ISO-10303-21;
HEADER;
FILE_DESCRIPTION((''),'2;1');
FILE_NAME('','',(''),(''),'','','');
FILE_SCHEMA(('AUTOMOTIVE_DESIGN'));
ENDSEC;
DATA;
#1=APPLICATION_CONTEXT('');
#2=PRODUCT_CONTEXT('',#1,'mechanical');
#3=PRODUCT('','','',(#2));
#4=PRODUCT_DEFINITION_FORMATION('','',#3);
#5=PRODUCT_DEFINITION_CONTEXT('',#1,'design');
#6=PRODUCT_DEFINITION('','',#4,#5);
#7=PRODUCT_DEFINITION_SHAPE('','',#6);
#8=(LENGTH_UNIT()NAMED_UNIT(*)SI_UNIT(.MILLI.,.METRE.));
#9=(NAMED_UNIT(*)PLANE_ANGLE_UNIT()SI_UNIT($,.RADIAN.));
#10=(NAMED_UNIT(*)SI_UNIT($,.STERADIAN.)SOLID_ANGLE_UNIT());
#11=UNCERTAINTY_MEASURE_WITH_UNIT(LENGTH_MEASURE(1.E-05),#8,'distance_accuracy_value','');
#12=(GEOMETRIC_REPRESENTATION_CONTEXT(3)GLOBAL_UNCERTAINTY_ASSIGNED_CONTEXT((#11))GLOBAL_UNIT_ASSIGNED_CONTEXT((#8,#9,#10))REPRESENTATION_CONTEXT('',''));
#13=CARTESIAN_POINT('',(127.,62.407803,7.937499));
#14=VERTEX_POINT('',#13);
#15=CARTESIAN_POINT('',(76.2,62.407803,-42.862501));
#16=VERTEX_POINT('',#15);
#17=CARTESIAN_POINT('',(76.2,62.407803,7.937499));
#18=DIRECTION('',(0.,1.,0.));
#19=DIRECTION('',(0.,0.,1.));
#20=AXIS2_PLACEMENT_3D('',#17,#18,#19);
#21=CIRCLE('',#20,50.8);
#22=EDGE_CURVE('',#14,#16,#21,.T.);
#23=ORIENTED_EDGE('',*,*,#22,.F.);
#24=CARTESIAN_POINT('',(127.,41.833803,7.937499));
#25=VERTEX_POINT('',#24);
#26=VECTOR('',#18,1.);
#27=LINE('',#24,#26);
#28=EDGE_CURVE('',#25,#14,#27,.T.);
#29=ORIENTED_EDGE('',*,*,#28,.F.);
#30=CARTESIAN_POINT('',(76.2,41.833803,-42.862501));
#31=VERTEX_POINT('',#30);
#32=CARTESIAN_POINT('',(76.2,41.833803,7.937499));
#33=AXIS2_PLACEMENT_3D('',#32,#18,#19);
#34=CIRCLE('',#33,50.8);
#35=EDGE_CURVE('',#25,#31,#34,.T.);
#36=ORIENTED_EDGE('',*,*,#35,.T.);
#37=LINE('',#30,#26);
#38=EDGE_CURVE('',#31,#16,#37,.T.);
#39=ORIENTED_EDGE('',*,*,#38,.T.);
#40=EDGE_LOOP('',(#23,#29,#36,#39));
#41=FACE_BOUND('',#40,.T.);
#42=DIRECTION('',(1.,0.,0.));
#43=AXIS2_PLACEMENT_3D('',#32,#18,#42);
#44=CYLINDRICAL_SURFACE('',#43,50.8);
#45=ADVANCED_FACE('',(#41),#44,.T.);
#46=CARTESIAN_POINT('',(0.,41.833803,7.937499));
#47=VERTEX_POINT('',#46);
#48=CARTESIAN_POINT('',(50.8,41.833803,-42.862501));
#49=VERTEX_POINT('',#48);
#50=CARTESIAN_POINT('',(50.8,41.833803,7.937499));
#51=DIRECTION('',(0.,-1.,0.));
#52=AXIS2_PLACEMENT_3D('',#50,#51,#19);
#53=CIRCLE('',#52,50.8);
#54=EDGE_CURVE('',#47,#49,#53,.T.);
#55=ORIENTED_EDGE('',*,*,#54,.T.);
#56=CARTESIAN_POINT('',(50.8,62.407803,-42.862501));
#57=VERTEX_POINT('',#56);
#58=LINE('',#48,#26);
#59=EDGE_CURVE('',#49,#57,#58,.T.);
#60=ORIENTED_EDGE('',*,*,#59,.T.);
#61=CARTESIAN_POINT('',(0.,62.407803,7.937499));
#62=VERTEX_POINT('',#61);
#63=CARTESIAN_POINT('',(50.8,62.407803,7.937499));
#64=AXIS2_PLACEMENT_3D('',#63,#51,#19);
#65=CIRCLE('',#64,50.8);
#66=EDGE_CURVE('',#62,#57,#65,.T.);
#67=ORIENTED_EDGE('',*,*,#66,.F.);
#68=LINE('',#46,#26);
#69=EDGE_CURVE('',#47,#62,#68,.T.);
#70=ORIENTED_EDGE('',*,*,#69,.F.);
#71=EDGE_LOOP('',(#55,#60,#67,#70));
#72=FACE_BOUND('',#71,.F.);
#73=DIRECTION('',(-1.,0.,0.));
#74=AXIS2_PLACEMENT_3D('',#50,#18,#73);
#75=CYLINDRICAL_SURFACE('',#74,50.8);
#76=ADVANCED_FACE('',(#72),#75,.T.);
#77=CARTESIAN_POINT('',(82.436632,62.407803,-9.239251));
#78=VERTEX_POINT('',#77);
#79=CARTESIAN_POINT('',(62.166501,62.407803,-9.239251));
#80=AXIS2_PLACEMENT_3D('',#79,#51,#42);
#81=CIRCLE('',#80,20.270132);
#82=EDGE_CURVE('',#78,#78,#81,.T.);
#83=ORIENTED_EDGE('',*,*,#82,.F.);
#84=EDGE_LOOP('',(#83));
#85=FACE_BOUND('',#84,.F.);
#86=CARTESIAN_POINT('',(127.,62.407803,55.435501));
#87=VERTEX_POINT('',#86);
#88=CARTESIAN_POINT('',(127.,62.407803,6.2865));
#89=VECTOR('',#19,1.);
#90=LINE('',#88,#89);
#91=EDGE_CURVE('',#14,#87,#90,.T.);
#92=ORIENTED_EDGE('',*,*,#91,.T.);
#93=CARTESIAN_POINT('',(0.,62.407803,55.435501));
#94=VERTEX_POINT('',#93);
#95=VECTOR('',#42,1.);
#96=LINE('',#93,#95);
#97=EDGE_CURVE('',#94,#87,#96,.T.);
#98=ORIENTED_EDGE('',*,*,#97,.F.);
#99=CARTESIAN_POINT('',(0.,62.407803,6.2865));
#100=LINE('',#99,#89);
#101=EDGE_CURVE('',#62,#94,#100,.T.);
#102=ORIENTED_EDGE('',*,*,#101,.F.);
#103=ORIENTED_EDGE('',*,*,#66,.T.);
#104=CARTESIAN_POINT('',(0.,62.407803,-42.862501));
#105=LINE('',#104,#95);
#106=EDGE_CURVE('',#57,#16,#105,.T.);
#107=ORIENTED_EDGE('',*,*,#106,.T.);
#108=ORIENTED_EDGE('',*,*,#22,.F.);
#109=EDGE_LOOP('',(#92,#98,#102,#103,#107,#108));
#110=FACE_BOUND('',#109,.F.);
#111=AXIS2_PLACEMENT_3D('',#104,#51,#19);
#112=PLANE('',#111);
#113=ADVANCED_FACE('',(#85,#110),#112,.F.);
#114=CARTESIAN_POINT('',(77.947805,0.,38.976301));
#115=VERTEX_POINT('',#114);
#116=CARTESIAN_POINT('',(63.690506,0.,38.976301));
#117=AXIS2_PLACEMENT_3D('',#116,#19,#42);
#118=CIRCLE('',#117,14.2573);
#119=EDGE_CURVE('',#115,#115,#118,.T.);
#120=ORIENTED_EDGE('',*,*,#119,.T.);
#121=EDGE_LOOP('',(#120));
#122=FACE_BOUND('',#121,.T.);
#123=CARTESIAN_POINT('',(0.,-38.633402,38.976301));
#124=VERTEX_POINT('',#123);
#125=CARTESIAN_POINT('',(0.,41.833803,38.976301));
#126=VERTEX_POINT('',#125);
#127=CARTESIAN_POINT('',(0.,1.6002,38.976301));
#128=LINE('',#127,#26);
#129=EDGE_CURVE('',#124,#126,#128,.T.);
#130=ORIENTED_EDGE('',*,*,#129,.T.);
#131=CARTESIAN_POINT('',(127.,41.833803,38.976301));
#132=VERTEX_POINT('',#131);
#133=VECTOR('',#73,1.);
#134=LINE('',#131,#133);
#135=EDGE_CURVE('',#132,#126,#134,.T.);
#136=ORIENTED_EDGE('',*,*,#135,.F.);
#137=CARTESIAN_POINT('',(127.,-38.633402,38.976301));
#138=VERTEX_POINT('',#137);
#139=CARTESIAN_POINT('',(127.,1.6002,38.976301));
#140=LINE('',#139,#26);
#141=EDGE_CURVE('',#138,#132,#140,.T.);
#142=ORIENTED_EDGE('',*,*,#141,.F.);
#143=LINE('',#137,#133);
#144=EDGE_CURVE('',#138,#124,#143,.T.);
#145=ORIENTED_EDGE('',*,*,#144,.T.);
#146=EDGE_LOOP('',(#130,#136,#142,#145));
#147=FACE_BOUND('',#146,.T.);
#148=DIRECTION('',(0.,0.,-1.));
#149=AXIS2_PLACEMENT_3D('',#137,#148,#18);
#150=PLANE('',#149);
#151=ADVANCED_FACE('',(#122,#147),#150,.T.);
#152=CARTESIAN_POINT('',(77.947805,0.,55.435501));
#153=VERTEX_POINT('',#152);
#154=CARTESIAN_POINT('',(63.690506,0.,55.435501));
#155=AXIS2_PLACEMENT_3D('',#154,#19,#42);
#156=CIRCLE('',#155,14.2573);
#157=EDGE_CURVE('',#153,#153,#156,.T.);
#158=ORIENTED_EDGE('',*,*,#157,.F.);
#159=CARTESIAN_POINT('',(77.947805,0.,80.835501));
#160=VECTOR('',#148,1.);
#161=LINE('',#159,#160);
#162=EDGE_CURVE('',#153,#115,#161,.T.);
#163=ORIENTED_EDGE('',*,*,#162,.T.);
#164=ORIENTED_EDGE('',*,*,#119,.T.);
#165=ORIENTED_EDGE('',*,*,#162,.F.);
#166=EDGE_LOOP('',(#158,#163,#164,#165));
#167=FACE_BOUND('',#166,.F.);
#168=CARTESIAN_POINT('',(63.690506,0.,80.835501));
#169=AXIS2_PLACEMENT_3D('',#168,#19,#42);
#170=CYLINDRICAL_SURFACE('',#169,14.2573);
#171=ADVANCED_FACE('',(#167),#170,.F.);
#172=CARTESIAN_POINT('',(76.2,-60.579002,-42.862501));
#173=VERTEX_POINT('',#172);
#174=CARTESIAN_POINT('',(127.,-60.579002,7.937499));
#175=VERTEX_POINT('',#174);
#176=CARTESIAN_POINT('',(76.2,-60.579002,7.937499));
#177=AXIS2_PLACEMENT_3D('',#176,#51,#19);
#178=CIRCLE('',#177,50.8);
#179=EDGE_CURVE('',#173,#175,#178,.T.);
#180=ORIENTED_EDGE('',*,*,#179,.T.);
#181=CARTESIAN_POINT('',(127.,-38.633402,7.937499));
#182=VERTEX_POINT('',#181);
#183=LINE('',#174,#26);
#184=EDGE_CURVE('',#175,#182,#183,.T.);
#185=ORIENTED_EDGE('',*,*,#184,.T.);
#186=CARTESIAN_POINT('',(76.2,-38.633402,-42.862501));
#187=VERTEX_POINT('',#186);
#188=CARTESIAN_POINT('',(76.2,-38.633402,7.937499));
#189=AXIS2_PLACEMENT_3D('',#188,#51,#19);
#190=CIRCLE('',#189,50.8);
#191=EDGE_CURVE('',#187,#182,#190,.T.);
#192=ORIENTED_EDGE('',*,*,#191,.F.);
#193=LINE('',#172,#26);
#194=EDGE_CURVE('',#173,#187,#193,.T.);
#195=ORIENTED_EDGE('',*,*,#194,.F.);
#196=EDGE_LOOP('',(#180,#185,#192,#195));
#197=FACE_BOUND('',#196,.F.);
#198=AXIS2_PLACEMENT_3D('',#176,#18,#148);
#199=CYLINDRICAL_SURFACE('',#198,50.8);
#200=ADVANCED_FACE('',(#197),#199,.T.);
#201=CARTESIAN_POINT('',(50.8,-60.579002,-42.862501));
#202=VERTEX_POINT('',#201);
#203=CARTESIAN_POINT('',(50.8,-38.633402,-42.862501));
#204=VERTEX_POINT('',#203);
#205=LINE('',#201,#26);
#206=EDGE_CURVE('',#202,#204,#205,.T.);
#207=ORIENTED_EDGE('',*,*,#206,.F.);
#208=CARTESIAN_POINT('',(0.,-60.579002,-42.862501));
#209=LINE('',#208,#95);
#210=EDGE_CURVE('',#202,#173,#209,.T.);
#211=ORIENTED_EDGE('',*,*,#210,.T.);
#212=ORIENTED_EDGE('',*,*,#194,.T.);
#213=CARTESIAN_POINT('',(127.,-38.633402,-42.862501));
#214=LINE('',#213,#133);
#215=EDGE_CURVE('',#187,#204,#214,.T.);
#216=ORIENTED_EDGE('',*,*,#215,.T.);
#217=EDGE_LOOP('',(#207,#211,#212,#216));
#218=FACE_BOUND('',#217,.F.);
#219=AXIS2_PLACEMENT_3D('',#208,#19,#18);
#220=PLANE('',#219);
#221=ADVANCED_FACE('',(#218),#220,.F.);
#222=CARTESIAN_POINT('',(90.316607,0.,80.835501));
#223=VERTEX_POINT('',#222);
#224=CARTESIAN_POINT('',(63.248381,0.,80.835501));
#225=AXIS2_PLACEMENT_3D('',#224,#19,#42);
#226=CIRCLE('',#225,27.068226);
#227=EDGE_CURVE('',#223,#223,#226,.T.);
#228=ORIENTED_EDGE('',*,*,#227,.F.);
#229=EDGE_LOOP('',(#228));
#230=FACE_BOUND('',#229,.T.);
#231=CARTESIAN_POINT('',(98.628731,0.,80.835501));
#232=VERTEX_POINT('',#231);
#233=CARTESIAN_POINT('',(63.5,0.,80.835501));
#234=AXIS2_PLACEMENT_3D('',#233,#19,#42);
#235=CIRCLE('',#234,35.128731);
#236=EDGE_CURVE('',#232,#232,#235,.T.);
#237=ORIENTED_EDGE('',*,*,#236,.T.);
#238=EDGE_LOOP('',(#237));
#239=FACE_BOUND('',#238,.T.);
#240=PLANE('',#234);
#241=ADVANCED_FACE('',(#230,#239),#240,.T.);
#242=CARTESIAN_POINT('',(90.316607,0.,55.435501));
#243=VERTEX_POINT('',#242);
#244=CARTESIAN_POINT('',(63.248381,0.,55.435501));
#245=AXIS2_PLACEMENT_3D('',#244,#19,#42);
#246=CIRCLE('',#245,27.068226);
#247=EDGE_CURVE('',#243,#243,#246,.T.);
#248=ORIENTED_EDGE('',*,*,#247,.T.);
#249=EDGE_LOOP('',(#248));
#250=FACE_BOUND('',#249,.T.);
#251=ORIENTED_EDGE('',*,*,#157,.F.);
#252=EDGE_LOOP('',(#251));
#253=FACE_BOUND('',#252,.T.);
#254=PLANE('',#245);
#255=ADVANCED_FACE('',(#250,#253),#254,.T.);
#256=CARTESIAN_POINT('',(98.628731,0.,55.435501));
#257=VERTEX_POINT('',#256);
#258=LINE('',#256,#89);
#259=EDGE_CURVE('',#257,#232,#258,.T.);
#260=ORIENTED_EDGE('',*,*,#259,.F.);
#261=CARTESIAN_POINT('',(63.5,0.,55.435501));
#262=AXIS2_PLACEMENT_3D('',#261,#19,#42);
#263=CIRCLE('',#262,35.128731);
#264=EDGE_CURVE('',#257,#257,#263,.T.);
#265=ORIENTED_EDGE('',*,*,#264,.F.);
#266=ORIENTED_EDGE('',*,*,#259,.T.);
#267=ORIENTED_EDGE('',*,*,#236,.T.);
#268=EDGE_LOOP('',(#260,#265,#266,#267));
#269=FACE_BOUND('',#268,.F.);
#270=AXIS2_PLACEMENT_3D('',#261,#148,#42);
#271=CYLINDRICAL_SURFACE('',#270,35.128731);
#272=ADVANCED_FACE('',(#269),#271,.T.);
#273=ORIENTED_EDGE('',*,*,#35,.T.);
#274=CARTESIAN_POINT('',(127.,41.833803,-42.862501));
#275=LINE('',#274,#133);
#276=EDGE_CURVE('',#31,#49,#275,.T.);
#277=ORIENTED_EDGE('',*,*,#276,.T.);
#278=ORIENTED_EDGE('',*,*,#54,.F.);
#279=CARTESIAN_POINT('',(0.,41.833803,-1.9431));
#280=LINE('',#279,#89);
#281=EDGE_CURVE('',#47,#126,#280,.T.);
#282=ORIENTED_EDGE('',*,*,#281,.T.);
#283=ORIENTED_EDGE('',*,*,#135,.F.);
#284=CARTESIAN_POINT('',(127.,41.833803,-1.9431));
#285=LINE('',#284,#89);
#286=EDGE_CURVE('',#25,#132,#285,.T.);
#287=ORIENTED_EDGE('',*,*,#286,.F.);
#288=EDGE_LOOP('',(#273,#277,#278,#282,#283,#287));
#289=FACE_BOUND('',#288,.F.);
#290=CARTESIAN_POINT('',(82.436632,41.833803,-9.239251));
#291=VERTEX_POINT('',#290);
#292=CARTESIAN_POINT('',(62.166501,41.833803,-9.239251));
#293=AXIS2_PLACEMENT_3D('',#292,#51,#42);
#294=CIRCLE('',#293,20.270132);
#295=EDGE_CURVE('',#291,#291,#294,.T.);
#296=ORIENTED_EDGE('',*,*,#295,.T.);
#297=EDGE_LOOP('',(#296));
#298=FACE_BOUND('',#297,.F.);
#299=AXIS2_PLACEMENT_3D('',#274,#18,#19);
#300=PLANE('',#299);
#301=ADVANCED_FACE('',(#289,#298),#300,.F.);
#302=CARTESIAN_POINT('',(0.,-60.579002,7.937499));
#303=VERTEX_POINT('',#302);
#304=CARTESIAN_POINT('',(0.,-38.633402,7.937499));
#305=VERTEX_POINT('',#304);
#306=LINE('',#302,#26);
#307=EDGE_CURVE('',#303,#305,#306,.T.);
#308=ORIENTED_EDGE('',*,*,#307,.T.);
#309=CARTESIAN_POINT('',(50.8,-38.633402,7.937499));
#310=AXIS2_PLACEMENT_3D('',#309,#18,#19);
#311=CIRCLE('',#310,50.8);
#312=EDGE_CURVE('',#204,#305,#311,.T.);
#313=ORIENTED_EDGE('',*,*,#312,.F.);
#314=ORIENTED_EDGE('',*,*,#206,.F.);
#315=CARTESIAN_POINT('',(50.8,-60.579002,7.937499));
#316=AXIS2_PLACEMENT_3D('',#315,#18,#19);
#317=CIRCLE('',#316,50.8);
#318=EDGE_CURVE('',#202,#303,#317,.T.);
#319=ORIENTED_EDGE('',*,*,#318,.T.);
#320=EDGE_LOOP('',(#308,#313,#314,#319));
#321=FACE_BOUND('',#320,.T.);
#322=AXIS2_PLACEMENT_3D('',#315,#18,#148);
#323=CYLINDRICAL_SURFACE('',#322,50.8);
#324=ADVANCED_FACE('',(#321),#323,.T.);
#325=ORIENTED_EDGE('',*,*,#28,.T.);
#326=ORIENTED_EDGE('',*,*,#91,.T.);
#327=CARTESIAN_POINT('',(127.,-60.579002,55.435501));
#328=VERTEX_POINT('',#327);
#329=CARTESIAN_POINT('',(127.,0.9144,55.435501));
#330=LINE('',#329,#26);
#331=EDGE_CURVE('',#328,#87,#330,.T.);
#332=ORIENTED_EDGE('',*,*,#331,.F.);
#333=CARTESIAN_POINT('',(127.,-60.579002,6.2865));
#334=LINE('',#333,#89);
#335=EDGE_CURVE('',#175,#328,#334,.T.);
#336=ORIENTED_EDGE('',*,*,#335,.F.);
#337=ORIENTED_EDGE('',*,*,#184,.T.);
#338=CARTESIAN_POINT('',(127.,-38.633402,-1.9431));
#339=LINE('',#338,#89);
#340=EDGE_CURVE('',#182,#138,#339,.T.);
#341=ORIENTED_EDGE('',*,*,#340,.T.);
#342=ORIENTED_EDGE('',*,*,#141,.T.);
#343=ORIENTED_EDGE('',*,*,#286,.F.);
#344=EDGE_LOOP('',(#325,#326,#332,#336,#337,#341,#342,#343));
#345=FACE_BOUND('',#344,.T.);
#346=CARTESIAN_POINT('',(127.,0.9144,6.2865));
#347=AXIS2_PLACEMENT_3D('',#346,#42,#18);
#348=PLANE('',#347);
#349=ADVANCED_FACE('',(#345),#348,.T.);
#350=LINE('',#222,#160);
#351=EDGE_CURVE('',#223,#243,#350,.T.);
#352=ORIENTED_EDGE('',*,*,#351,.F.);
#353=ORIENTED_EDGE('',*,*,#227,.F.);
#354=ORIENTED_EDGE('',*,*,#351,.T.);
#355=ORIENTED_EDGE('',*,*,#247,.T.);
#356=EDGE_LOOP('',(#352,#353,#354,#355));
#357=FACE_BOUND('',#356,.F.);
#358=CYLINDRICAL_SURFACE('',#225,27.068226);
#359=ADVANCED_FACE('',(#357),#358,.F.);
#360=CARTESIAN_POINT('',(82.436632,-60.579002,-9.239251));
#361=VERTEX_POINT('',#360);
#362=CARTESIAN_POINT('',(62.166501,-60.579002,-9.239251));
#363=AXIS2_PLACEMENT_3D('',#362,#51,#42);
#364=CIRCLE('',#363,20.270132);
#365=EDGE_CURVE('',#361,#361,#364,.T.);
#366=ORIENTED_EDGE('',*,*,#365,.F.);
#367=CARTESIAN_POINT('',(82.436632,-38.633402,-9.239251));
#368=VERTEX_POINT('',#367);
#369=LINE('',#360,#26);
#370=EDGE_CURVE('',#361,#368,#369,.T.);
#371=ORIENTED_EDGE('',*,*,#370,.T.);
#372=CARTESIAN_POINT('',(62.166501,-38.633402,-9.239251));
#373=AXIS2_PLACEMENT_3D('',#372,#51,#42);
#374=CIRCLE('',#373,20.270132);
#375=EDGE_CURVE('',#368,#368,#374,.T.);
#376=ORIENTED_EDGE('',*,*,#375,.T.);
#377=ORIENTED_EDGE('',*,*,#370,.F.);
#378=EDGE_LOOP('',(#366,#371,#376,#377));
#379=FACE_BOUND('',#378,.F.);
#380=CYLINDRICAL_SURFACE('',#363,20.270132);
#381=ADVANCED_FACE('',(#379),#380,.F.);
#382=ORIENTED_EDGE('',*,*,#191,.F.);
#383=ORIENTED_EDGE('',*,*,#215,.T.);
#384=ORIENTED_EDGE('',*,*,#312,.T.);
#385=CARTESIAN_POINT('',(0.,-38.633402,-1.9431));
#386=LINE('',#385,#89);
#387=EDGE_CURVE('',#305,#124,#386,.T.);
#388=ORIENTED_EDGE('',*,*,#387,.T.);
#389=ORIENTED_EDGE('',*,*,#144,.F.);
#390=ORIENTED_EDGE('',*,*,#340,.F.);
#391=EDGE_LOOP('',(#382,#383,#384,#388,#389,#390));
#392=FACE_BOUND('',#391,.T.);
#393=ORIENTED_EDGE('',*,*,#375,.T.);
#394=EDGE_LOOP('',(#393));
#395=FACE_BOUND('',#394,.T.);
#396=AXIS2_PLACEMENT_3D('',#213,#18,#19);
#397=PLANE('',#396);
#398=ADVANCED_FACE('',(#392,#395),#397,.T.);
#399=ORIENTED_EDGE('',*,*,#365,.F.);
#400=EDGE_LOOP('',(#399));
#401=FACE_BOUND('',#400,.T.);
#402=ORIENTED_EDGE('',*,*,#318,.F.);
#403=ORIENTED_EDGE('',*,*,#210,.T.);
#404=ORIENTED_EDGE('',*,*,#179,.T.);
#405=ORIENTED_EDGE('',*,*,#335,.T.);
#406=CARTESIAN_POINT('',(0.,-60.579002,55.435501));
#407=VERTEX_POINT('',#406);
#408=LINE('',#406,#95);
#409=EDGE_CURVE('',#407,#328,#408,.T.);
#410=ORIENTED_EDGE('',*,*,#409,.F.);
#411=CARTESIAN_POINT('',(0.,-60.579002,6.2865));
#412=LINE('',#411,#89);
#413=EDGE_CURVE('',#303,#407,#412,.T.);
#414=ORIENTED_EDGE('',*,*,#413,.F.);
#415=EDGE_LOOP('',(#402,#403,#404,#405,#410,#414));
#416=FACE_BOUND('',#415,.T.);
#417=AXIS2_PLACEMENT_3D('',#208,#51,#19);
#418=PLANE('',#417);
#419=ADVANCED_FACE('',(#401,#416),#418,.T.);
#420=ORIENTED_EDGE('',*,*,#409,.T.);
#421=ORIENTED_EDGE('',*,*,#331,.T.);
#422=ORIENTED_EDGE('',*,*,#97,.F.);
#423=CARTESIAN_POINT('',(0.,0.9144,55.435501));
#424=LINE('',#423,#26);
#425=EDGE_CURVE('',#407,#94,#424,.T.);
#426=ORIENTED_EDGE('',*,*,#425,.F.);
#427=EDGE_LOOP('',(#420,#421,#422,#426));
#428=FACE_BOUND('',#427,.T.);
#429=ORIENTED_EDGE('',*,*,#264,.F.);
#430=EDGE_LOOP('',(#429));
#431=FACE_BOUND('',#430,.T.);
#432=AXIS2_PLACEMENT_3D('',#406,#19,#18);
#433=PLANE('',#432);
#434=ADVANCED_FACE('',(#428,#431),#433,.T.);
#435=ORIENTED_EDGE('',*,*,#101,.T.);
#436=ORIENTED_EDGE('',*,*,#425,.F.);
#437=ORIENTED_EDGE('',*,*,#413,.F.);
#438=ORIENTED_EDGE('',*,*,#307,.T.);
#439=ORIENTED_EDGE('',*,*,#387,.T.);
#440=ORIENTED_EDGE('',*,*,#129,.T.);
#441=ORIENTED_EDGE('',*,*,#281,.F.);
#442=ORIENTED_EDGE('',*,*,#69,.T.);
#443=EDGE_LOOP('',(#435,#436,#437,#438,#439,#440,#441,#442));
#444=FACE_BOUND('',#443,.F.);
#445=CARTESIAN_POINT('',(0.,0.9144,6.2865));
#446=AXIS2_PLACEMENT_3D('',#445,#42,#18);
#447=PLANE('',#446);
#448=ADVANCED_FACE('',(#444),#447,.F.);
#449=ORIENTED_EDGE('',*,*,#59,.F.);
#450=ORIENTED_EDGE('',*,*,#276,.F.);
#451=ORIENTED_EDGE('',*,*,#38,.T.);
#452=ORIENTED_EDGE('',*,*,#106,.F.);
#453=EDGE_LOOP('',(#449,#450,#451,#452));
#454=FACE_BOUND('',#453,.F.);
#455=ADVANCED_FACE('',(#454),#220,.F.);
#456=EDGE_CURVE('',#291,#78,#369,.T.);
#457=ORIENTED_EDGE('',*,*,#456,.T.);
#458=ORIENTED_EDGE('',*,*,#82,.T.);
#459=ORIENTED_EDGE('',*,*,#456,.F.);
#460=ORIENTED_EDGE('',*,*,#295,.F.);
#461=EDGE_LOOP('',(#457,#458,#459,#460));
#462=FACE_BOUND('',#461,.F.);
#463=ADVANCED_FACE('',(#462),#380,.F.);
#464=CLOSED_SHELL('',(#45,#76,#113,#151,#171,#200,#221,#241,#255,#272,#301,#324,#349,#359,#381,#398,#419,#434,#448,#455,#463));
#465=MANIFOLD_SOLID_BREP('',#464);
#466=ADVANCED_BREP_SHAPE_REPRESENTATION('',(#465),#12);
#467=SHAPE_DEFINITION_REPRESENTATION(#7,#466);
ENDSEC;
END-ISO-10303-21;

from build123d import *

# Parameters (mm, degrees)
F0_W      = 122.9868046939
F0_H      = 98.2980020344
F1_DEPTH  = 127
F2_W      = 80.4672054946
F2_H      = 81.8388015032
F3_DEPTH  = 127
F4_R      = 50.8
F5_R      = 20.2701316202
F6_DEPTH  = 254
F7_R      = 35.128731484
F8_DEPTH  = 25.4
F10_R     = 27.0682263701
F11_DEPTH = 25.4
F12_R     = 14.2572995328
F13_DEPTH = 50.8


with BuildPart() as f1:
    # F0 (on Right) → F1 (new body)
    with BuildSketch(Plane.YZ):
        with Locations((0.9144004434, 6.2865000218)):
            Rectangle(F0_W, F0_H)
    extrude(amount=F1_DEPTH)

    # F2 (on face) → F3 (cut)
    with BuildSketch(Plane.YZ.offset(127)):
        with Locations((1.6002003103, -1.9431002438)):
            Rectangle(F2_W, F2_H)
    extrude(amount=-F3_DEPTH, mode=Mode.SUBTRACT)

    # F4
    f4_edges = [f1.edges().sort_by_distance(p)[0] for p in [
        (127, -49.606202, -42.862501),
        (0, -49.606202, -42.862501),
        (0, 52.120803, -42.862501),
        (127, 52.120803, -42.862501),
    ]]
    fillet(f4_edges, radius=F4_R)

    # F5 (on face) → F6 (cut)
    with BuildSketch(Plane.XZ.offset(60.5790019035)):
        with Locations((62.1665008366, -9.2392507941)):
            Circle(F5_R)
    extrude(amount=-F6_DEPTH, mode=Mode.SUBTRACT)

    # F7 (on face) → F8 (join)
    with BuildSketch(Plane.XY.offset(55.435501039)):
        with Locations((63.5, 0)):
            Circle(F7_R)
    extrude(amount=F8_DEPTH)

    # F10 (on face) → F11 (cut)
    with BuildSketch(Plane.XY.offset(80.835501039)):
        with Locations((63.2483810186, 0)):
            Circle(F10_R)
    extrude(amount=-F11_DEPTH, mode=Mode.SUBTRACT)

    # F12 (on face) → F13 (cut)
    with BuildSketch(Plane.XY.offset(80.835501039)):
        with Locations((63.6905059218, 0)):
            Circle(F12_R)
    extrude(amount=-F13_DEPTH, mode=Mode.SUBTRACT)


solid = f1.part
